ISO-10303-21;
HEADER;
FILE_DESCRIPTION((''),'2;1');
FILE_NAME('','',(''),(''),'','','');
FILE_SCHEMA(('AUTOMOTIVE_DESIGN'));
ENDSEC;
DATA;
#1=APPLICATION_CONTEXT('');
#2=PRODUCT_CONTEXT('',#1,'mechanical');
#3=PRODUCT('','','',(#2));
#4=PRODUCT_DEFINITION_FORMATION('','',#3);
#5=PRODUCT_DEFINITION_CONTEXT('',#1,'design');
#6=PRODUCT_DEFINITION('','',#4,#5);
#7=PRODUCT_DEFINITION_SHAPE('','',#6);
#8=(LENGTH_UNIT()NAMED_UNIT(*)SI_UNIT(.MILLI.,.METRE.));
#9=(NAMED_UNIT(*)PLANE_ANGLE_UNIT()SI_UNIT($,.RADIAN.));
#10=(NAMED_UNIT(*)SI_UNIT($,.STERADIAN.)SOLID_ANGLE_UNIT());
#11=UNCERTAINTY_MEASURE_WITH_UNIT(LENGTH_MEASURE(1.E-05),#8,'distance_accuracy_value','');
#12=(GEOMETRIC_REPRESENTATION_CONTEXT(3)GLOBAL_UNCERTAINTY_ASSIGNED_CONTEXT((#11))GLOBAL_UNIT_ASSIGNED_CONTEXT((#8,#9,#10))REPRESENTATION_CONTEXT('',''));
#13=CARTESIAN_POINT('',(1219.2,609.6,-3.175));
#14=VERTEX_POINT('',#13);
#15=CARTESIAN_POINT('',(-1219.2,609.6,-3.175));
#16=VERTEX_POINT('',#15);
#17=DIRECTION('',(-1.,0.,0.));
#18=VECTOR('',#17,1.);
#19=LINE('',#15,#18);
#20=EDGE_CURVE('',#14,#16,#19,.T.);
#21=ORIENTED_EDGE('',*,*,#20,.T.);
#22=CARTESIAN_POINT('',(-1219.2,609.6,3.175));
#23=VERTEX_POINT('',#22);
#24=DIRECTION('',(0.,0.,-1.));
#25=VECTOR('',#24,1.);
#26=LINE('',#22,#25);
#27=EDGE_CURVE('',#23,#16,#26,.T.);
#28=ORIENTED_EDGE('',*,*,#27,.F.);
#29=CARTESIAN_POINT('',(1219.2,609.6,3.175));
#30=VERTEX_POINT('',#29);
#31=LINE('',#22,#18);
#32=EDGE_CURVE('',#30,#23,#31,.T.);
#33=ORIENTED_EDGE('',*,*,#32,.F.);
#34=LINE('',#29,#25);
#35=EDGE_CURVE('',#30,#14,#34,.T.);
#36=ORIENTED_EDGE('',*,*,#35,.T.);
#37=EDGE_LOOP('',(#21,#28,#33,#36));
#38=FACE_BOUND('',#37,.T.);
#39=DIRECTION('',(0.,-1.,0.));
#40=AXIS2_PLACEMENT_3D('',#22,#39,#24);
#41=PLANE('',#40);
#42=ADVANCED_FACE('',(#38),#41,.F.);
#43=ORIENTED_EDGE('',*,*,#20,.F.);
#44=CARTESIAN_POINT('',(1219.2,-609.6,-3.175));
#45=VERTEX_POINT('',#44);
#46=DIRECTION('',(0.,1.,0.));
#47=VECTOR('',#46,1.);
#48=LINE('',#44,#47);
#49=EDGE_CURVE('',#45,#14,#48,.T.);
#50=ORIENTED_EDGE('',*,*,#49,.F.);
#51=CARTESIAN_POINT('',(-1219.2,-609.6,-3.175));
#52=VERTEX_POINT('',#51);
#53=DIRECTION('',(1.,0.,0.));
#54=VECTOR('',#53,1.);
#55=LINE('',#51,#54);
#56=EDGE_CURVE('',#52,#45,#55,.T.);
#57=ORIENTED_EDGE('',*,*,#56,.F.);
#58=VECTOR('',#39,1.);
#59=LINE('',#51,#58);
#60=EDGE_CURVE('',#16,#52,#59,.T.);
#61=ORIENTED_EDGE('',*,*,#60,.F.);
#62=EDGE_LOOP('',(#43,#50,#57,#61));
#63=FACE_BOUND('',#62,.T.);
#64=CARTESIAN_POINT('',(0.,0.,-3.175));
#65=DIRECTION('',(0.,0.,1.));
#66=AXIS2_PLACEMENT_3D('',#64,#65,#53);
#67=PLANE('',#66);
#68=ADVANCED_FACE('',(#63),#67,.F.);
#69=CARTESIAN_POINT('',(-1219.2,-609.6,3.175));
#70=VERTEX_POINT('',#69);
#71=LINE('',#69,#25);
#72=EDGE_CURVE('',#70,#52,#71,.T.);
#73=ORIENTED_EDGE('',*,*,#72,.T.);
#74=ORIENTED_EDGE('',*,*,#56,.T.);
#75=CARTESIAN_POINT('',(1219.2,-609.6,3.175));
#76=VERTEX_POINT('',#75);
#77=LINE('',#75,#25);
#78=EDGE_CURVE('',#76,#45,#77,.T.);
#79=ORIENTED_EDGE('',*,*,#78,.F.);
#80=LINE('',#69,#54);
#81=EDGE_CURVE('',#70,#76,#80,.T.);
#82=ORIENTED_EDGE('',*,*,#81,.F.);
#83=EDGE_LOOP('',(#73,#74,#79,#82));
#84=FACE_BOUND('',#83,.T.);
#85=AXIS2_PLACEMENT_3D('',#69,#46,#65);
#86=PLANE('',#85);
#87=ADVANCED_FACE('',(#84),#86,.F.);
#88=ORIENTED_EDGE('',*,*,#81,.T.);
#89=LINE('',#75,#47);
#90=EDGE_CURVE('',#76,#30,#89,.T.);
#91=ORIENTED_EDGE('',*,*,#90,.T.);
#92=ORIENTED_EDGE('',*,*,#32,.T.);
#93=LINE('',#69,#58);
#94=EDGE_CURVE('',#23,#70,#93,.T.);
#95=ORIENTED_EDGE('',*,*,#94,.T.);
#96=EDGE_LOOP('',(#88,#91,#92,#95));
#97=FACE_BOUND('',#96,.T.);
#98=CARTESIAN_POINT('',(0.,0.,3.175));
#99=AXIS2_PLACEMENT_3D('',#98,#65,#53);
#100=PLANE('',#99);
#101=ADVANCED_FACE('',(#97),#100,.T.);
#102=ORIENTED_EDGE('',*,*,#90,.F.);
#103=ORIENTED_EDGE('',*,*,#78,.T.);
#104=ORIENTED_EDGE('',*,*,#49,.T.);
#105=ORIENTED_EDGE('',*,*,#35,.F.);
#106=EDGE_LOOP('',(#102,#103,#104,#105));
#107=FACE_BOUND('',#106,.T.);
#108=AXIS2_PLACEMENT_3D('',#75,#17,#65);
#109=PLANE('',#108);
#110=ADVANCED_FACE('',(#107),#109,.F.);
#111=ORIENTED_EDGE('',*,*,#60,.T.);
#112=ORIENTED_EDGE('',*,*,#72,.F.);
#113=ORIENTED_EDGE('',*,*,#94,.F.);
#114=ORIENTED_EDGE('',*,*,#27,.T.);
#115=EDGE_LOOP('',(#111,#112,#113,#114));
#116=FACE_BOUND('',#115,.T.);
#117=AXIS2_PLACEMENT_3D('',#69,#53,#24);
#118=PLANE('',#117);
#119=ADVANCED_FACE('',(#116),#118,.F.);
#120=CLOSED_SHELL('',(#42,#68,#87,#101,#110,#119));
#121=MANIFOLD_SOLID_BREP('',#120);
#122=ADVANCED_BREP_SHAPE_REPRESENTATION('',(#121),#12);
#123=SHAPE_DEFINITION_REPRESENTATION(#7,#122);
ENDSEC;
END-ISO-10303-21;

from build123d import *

# Parameters (mm, degrees)
SKETCH3_W           = 2438.4
SKETCH3_H           = 1219.2
BOSS_EXTRUDE1_DEPTH = 3.175


with BuildPart() as part:
    # Sketch3 → Boss-Extrude1 (new, symmetric)
    with BuildSketch(Plane.XY):
        Rectangle(SKETCH3_W, SKETCH3_H)
    extrude(amount=BOSS_EXTRUDE1_DEPTH, both=True)


solid = part.part
